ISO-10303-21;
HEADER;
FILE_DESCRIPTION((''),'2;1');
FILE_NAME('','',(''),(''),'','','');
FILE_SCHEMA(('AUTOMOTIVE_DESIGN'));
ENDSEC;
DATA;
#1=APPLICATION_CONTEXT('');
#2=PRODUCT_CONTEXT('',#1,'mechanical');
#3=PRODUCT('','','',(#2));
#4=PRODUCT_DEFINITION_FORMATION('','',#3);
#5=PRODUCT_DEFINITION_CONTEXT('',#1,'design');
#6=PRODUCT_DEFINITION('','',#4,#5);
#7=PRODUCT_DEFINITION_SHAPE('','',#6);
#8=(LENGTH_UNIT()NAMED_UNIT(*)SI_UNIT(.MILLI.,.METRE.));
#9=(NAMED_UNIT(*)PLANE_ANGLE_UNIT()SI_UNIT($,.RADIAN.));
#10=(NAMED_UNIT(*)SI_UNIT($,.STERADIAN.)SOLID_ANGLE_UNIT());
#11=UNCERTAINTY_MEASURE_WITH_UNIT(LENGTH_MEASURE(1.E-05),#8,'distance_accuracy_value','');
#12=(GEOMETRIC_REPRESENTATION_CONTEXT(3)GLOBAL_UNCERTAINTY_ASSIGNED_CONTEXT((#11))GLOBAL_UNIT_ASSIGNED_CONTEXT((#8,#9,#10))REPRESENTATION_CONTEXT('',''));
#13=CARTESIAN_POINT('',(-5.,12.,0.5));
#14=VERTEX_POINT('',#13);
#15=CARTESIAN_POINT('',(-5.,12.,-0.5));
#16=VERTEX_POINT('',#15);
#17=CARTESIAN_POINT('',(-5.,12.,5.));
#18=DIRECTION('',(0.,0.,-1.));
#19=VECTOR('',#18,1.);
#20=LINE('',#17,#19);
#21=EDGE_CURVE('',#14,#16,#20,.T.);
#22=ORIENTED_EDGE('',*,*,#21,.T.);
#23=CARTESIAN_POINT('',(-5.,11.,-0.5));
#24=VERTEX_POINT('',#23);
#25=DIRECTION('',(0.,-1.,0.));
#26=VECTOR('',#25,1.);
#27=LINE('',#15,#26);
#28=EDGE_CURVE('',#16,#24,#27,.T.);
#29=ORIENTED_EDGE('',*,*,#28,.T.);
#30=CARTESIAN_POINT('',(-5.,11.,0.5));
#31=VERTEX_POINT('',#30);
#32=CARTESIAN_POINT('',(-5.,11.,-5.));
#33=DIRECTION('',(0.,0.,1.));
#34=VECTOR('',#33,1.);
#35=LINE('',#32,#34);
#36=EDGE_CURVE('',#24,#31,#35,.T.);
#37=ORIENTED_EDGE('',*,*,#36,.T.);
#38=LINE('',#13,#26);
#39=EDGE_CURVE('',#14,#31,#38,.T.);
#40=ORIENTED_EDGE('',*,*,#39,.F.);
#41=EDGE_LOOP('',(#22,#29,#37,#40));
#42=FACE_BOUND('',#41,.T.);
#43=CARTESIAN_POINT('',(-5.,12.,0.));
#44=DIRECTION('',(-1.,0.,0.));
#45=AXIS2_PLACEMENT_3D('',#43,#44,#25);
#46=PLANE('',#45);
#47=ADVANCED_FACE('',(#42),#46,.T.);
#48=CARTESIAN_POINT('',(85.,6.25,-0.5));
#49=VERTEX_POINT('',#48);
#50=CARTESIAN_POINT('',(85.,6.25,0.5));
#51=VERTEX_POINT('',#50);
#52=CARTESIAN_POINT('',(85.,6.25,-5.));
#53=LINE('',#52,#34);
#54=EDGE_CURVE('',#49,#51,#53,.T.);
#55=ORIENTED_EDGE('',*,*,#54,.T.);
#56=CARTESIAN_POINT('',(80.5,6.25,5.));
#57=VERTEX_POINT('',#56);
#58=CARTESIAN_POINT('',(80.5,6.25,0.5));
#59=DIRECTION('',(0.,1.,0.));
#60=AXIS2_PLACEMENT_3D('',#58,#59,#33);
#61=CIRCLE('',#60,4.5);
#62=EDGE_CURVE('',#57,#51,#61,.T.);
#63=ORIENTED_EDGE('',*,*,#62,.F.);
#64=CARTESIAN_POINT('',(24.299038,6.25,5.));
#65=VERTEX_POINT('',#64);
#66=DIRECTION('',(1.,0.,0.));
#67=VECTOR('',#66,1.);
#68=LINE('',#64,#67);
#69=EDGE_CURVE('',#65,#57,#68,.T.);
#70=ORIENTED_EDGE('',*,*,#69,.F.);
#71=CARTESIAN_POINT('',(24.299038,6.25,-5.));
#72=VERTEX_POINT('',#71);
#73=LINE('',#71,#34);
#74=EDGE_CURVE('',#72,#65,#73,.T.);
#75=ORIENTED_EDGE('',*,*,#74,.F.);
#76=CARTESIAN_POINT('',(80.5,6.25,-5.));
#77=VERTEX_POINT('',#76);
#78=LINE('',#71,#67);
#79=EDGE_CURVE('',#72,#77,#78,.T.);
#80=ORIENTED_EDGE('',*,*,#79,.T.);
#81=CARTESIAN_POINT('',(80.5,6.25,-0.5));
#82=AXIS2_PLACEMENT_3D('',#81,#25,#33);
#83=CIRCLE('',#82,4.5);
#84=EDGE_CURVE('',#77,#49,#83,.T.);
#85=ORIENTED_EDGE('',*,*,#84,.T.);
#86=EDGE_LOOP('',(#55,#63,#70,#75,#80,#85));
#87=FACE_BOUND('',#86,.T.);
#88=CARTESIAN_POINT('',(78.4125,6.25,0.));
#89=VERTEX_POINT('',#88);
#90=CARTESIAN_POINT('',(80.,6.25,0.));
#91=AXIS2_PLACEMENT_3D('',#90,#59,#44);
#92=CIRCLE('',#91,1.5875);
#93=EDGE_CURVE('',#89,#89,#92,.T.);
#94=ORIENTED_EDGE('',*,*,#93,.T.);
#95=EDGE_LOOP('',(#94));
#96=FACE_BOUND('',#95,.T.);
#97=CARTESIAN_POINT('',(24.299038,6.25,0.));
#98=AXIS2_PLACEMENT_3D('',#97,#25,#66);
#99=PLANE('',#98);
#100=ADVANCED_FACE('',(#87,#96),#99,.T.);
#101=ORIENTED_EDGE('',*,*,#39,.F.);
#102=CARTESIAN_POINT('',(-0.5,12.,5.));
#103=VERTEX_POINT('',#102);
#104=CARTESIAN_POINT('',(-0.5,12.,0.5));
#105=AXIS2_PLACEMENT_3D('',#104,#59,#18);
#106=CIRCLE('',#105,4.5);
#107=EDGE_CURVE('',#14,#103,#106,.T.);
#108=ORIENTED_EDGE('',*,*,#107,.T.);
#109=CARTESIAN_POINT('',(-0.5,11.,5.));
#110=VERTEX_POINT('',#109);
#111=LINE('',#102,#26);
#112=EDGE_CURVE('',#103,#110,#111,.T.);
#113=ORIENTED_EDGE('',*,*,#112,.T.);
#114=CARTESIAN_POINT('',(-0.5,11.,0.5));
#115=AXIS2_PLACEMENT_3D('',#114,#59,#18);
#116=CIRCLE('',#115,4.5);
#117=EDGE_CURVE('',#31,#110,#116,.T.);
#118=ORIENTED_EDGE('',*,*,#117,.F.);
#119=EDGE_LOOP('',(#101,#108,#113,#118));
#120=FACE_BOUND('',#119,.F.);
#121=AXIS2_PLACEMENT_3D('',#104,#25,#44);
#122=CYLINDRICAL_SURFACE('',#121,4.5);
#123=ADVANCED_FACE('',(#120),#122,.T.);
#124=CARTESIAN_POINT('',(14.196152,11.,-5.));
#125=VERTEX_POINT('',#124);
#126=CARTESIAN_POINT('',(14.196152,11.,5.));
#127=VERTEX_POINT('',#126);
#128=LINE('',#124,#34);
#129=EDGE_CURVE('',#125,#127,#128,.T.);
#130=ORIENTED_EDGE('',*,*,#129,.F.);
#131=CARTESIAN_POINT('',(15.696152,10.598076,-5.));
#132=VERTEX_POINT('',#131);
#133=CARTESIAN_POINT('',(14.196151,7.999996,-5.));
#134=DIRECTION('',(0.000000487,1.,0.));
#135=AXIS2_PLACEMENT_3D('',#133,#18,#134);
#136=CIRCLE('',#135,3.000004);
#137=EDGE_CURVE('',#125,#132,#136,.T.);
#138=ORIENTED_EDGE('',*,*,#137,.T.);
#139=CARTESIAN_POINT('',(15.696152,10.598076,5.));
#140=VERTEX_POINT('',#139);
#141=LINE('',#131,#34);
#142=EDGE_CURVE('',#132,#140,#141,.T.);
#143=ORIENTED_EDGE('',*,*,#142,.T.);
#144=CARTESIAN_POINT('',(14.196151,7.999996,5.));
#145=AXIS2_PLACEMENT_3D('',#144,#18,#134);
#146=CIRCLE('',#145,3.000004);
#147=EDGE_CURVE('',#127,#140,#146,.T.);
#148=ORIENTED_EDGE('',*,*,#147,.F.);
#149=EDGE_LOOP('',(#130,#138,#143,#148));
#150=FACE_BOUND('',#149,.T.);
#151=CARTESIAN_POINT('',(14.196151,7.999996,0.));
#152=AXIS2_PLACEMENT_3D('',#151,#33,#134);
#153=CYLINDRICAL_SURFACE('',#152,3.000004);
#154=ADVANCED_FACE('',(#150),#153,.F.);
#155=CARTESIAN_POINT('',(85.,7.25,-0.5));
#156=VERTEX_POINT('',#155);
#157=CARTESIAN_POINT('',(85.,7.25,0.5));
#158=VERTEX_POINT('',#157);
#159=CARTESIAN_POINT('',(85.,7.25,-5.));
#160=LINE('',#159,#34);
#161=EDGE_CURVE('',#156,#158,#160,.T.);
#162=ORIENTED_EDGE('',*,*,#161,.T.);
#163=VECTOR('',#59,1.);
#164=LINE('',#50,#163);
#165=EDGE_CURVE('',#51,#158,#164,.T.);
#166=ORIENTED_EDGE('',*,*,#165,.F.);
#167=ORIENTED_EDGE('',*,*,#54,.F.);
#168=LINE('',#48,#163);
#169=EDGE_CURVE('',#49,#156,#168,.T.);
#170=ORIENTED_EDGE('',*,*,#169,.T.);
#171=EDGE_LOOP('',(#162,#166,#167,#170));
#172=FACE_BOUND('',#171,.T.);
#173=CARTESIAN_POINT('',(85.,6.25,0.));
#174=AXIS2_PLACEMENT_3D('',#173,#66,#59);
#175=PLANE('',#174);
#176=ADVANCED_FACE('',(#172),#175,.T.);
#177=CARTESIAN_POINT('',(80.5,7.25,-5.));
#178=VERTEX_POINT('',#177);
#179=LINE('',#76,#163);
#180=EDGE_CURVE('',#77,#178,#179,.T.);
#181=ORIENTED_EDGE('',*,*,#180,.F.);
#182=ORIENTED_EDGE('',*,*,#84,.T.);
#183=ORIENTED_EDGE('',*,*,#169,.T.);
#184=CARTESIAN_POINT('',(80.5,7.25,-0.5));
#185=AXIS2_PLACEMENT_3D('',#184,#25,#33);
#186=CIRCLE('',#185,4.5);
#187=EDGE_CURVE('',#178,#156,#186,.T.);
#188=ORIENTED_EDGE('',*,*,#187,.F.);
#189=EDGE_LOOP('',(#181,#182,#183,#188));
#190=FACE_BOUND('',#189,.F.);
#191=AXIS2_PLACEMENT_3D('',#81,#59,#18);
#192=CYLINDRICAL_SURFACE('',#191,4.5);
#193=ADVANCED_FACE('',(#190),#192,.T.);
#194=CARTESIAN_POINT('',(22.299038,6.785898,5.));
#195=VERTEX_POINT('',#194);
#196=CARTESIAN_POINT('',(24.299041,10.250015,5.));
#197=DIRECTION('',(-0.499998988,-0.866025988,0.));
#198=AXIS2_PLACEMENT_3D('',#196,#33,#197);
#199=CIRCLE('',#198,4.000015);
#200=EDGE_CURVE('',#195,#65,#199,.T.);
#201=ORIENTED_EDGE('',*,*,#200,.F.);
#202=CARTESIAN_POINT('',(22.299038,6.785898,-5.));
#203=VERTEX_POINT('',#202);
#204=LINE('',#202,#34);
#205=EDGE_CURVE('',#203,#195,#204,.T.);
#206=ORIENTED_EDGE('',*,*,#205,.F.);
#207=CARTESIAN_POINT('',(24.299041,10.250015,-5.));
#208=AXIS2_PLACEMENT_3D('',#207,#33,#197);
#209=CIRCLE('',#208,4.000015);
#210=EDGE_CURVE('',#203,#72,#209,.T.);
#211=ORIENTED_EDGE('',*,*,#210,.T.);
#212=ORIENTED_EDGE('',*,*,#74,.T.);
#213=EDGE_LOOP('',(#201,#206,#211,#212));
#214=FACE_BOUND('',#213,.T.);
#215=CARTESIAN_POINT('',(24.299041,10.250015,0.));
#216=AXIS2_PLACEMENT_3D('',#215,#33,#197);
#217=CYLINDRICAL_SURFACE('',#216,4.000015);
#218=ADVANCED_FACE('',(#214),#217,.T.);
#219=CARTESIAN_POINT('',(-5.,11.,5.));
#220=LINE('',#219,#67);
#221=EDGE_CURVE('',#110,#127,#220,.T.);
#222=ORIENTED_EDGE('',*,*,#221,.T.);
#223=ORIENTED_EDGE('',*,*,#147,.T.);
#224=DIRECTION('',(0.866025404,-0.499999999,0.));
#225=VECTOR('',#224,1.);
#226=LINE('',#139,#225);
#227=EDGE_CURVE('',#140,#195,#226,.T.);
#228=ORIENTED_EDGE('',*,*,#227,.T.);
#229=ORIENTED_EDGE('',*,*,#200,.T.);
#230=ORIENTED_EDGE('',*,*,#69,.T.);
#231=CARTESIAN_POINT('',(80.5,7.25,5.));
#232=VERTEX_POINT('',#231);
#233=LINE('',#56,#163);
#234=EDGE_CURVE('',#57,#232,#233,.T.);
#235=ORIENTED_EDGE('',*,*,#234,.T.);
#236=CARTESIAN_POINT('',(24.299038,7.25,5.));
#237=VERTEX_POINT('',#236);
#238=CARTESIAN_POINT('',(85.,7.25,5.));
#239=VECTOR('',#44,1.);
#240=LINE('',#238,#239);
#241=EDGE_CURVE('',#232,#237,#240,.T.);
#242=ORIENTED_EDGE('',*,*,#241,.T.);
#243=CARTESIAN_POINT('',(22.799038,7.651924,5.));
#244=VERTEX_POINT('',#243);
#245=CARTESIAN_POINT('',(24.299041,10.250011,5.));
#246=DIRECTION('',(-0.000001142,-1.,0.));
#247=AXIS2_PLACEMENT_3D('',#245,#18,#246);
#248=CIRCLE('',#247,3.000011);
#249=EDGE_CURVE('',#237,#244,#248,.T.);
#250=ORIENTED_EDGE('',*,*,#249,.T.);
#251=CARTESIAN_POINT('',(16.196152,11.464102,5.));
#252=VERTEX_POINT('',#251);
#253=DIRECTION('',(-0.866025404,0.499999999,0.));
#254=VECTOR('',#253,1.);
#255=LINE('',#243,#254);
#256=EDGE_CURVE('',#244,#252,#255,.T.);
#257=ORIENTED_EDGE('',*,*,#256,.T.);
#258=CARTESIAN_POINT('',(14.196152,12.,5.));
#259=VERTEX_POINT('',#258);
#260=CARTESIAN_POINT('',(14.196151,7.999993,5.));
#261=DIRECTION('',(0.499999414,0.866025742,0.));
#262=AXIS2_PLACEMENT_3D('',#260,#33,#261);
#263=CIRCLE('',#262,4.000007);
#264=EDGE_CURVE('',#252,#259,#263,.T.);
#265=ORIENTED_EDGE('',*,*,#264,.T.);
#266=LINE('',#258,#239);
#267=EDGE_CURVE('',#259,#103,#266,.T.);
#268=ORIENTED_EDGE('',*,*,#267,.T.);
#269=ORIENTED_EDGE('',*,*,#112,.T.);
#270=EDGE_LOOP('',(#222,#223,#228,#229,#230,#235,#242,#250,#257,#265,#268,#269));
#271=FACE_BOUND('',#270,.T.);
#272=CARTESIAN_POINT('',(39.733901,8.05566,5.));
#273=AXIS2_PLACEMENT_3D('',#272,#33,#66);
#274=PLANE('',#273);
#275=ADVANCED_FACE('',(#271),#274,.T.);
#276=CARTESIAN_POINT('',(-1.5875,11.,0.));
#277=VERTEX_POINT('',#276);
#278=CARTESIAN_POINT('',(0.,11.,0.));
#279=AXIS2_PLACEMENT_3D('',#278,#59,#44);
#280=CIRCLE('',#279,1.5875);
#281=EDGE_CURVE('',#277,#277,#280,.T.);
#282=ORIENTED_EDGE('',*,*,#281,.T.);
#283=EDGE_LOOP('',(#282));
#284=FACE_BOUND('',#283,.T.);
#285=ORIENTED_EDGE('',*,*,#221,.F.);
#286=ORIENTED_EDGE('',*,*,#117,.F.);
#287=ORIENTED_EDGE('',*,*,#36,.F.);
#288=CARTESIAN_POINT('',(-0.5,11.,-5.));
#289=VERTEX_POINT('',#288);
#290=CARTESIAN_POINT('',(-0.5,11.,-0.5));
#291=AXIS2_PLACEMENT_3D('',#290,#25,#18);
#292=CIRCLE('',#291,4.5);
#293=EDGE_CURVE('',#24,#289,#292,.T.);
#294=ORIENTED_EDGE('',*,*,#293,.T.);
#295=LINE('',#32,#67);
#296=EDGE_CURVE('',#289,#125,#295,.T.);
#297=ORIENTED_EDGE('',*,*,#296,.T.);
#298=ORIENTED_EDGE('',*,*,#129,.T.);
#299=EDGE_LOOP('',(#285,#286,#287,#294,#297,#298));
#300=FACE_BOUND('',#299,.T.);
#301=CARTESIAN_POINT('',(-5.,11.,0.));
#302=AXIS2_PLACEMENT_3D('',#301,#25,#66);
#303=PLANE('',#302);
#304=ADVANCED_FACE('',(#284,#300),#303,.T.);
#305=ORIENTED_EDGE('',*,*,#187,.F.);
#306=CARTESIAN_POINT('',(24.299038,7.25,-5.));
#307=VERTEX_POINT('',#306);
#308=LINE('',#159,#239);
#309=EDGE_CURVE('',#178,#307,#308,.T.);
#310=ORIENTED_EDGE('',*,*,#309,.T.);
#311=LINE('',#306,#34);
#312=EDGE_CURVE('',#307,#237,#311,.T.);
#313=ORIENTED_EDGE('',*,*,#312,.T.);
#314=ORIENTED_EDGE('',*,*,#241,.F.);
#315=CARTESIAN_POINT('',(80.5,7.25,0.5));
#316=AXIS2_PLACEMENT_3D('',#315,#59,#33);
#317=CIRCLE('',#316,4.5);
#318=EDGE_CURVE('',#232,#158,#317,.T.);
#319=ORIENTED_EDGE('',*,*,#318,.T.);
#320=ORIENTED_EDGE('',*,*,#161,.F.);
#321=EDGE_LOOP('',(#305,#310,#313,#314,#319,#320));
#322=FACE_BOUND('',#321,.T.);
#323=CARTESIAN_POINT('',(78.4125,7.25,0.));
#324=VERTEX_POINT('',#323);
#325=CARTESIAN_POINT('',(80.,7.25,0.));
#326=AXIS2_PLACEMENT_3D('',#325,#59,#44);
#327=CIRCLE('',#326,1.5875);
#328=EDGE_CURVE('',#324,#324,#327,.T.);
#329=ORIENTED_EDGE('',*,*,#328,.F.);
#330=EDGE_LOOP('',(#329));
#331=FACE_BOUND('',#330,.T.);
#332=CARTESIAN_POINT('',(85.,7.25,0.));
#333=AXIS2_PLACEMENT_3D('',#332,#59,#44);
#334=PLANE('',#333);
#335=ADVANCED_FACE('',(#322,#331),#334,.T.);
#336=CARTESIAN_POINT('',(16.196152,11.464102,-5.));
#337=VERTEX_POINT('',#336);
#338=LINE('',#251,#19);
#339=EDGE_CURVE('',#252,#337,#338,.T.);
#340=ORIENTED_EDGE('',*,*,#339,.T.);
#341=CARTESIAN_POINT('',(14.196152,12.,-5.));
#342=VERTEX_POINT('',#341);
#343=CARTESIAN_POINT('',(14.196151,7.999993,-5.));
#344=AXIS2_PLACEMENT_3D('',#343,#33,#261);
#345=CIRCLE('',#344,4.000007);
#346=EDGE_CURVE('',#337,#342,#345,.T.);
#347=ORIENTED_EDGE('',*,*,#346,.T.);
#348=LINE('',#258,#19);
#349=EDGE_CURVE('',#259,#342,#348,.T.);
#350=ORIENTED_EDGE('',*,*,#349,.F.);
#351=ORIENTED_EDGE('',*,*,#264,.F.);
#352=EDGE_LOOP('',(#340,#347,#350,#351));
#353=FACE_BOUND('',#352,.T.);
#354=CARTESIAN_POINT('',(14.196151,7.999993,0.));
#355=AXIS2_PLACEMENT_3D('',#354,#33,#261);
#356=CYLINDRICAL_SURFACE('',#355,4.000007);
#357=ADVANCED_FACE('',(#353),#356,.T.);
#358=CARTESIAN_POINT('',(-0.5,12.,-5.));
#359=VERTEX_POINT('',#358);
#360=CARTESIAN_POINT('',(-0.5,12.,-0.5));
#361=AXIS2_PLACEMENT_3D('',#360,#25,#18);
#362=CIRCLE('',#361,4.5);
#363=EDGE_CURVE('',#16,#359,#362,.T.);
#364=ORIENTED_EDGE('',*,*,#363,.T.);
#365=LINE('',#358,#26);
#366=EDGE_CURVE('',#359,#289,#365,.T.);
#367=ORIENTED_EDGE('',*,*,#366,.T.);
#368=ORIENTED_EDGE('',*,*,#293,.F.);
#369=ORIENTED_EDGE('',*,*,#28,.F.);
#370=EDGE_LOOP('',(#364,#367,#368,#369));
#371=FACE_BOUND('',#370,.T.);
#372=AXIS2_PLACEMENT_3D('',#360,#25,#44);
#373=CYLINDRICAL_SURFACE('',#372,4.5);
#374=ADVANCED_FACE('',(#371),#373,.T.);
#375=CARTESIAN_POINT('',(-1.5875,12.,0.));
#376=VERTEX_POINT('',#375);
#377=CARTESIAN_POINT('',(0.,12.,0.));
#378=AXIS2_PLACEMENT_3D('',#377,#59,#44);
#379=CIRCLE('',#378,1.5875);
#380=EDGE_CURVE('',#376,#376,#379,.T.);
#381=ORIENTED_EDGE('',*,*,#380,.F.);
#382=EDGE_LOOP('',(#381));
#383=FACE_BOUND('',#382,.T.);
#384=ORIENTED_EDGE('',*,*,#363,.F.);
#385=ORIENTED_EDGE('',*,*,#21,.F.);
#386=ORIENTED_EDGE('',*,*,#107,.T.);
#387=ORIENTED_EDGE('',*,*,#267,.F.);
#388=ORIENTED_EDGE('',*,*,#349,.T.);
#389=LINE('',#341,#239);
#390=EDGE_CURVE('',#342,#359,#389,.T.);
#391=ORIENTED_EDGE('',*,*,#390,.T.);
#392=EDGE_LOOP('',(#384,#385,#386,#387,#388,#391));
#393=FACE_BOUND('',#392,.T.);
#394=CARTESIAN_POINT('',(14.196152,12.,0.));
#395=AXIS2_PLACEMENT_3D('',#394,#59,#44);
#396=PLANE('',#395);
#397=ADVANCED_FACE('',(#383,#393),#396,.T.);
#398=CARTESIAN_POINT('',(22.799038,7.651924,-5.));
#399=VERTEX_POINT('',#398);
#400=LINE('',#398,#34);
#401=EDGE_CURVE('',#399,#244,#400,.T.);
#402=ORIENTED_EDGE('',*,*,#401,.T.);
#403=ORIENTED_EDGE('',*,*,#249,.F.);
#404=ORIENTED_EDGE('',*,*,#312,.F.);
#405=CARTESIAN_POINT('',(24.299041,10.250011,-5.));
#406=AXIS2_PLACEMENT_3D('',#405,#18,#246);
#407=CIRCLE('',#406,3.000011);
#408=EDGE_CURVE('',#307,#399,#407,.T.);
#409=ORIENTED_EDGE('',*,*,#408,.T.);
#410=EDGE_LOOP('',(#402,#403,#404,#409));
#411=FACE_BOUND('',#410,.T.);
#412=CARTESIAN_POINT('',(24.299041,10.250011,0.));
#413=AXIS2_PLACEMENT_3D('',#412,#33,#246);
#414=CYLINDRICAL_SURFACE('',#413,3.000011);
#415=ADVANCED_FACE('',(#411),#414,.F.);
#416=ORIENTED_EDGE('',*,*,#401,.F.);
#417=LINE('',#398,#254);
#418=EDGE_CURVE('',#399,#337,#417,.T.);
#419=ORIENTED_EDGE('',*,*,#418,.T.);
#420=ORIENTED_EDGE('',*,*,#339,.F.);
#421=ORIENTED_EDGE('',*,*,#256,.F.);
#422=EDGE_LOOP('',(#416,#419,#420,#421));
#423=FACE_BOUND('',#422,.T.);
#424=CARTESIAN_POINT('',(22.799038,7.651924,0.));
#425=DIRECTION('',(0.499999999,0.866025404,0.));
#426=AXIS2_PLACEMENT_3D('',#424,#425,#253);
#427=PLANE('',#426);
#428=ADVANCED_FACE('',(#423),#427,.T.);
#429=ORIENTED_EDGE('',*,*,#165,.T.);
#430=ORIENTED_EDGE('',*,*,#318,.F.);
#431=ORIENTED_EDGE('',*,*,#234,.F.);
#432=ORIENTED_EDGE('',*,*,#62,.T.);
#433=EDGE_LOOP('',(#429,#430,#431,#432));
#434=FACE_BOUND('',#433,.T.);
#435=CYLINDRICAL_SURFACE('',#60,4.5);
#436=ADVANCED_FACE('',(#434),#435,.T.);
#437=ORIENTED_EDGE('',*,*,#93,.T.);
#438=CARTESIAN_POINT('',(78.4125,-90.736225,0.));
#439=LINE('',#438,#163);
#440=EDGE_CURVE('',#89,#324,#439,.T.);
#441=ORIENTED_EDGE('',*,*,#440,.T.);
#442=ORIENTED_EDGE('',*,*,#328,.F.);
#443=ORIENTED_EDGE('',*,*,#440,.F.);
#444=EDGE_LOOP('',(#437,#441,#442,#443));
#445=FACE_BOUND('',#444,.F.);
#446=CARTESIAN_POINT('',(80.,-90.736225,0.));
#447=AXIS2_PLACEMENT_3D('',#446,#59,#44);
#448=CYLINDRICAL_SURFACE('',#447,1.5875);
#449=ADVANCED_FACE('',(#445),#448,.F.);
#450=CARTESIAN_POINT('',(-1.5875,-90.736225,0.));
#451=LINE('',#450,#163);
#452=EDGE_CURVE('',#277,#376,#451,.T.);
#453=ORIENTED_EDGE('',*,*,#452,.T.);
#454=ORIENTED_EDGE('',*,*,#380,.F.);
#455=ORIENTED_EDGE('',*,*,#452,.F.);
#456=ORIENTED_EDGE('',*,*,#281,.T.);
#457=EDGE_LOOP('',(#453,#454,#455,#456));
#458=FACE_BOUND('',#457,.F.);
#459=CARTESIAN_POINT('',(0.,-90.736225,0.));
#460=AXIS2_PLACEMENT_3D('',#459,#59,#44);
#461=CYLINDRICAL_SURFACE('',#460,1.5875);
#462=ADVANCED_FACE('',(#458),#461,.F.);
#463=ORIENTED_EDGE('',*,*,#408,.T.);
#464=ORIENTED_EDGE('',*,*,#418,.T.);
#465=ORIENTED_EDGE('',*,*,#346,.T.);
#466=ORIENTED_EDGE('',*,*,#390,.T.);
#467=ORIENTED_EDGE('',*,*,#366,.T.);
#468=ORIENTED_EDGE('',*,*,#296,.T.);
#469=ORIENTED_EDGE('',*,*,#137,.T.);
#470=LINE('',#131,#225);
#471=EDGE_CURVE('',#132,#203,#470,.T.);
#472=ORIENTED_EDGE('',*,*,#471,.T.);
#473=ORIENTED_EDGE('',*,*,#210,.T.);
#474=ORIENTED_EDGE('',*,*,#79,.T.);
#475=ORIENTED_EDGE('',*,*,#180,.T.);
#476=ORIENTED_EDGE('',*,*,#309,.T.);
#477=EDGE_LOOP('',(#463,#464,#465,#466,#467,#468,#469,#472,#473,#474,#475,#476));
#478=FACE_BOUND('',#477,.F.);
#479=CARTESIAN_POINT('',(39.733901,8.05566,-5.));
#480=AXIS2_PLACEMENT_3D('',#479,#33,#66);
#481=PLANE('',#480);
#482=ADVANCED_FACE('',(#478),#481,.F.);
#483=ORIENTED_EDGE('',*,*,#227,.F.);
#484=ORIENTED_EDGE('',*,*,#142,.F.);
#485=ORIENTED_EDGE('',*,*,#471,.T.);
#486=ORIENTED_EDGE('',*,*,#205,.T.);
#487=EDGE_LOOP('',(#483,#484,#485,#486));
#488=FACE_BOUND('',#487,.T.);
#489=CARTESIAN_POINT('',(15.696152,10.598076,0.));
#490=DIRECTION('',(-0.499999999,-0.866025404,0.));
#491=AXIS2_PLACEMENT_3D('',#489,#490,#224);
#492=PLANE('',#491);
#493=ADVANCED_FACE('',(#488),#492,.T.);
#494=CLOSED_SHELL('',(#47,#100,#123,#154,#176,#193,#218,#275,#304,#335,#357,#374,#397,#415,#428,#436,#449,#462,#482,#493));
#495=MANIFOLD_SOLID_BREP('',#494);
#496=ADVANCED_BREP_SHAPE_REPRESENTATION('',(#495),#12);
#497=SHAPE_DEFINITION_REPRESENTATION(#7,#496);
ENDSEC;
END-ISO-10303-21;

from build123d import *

# Parameters (mm, degrees)
F1_DEPTH = 5
F3_D     = 3.175
F4_R     = 4.5


with BuildPart() as f1:
    # F0 (on Top) → F1 (new body, symmetric)
    with BuildSketch(Plane.XY):
        with BuildLine():
            Line((-5, 12), (-5, 11))
            Line((-5, 11), (14.196152, 11))
            ThreePointArc((14.196152, 11), (14.97261, 10.897777), (15.696152, 10.598076))
            Line((15.696152, 10.598076), (22.299038, 6.785898))
            ThreePointArc((22.299038, 6.785898), (23.263762, 6.386297), (24.299038, 6.25))
            Line((24.299038, 6.25), (85, 6.25))
            Line((85, 6.25), (85, 7.25))
            Line((85, 7.25), (24.299038, 7.25))
            ThreePointArc((24.299038, 7.25), (23.522581, 7.352223), (22.799038, 7.651924))
            Line((22.799038, 7.651924), (16.196152, 11.464102))
            ThreePointArc((16.196152, 11.464102), (15.231429, 11.863703), (14.196152, 12))
            Line((14.196152, 12), (-5, 12))
        make_face()
    extrude(amount=F1_DEPTH, both=True)

    # F3 (through all)
    with Locations(Plane.XZ):
        with Locations((0, 0), (80, 0)):
            Hole(F3_D / 2)

    # F4
    f4_edges = [f1.edges().sort_by_distance(p)[0] for p in [
        (85, 6.75, 5),
        (85, 6.75, -5),
        (-5, 11.5, 5),
        (-5, 11.5, -5),
    ]]
    fillet(f4_edges, radius=F4_R)


solid = f1.part
